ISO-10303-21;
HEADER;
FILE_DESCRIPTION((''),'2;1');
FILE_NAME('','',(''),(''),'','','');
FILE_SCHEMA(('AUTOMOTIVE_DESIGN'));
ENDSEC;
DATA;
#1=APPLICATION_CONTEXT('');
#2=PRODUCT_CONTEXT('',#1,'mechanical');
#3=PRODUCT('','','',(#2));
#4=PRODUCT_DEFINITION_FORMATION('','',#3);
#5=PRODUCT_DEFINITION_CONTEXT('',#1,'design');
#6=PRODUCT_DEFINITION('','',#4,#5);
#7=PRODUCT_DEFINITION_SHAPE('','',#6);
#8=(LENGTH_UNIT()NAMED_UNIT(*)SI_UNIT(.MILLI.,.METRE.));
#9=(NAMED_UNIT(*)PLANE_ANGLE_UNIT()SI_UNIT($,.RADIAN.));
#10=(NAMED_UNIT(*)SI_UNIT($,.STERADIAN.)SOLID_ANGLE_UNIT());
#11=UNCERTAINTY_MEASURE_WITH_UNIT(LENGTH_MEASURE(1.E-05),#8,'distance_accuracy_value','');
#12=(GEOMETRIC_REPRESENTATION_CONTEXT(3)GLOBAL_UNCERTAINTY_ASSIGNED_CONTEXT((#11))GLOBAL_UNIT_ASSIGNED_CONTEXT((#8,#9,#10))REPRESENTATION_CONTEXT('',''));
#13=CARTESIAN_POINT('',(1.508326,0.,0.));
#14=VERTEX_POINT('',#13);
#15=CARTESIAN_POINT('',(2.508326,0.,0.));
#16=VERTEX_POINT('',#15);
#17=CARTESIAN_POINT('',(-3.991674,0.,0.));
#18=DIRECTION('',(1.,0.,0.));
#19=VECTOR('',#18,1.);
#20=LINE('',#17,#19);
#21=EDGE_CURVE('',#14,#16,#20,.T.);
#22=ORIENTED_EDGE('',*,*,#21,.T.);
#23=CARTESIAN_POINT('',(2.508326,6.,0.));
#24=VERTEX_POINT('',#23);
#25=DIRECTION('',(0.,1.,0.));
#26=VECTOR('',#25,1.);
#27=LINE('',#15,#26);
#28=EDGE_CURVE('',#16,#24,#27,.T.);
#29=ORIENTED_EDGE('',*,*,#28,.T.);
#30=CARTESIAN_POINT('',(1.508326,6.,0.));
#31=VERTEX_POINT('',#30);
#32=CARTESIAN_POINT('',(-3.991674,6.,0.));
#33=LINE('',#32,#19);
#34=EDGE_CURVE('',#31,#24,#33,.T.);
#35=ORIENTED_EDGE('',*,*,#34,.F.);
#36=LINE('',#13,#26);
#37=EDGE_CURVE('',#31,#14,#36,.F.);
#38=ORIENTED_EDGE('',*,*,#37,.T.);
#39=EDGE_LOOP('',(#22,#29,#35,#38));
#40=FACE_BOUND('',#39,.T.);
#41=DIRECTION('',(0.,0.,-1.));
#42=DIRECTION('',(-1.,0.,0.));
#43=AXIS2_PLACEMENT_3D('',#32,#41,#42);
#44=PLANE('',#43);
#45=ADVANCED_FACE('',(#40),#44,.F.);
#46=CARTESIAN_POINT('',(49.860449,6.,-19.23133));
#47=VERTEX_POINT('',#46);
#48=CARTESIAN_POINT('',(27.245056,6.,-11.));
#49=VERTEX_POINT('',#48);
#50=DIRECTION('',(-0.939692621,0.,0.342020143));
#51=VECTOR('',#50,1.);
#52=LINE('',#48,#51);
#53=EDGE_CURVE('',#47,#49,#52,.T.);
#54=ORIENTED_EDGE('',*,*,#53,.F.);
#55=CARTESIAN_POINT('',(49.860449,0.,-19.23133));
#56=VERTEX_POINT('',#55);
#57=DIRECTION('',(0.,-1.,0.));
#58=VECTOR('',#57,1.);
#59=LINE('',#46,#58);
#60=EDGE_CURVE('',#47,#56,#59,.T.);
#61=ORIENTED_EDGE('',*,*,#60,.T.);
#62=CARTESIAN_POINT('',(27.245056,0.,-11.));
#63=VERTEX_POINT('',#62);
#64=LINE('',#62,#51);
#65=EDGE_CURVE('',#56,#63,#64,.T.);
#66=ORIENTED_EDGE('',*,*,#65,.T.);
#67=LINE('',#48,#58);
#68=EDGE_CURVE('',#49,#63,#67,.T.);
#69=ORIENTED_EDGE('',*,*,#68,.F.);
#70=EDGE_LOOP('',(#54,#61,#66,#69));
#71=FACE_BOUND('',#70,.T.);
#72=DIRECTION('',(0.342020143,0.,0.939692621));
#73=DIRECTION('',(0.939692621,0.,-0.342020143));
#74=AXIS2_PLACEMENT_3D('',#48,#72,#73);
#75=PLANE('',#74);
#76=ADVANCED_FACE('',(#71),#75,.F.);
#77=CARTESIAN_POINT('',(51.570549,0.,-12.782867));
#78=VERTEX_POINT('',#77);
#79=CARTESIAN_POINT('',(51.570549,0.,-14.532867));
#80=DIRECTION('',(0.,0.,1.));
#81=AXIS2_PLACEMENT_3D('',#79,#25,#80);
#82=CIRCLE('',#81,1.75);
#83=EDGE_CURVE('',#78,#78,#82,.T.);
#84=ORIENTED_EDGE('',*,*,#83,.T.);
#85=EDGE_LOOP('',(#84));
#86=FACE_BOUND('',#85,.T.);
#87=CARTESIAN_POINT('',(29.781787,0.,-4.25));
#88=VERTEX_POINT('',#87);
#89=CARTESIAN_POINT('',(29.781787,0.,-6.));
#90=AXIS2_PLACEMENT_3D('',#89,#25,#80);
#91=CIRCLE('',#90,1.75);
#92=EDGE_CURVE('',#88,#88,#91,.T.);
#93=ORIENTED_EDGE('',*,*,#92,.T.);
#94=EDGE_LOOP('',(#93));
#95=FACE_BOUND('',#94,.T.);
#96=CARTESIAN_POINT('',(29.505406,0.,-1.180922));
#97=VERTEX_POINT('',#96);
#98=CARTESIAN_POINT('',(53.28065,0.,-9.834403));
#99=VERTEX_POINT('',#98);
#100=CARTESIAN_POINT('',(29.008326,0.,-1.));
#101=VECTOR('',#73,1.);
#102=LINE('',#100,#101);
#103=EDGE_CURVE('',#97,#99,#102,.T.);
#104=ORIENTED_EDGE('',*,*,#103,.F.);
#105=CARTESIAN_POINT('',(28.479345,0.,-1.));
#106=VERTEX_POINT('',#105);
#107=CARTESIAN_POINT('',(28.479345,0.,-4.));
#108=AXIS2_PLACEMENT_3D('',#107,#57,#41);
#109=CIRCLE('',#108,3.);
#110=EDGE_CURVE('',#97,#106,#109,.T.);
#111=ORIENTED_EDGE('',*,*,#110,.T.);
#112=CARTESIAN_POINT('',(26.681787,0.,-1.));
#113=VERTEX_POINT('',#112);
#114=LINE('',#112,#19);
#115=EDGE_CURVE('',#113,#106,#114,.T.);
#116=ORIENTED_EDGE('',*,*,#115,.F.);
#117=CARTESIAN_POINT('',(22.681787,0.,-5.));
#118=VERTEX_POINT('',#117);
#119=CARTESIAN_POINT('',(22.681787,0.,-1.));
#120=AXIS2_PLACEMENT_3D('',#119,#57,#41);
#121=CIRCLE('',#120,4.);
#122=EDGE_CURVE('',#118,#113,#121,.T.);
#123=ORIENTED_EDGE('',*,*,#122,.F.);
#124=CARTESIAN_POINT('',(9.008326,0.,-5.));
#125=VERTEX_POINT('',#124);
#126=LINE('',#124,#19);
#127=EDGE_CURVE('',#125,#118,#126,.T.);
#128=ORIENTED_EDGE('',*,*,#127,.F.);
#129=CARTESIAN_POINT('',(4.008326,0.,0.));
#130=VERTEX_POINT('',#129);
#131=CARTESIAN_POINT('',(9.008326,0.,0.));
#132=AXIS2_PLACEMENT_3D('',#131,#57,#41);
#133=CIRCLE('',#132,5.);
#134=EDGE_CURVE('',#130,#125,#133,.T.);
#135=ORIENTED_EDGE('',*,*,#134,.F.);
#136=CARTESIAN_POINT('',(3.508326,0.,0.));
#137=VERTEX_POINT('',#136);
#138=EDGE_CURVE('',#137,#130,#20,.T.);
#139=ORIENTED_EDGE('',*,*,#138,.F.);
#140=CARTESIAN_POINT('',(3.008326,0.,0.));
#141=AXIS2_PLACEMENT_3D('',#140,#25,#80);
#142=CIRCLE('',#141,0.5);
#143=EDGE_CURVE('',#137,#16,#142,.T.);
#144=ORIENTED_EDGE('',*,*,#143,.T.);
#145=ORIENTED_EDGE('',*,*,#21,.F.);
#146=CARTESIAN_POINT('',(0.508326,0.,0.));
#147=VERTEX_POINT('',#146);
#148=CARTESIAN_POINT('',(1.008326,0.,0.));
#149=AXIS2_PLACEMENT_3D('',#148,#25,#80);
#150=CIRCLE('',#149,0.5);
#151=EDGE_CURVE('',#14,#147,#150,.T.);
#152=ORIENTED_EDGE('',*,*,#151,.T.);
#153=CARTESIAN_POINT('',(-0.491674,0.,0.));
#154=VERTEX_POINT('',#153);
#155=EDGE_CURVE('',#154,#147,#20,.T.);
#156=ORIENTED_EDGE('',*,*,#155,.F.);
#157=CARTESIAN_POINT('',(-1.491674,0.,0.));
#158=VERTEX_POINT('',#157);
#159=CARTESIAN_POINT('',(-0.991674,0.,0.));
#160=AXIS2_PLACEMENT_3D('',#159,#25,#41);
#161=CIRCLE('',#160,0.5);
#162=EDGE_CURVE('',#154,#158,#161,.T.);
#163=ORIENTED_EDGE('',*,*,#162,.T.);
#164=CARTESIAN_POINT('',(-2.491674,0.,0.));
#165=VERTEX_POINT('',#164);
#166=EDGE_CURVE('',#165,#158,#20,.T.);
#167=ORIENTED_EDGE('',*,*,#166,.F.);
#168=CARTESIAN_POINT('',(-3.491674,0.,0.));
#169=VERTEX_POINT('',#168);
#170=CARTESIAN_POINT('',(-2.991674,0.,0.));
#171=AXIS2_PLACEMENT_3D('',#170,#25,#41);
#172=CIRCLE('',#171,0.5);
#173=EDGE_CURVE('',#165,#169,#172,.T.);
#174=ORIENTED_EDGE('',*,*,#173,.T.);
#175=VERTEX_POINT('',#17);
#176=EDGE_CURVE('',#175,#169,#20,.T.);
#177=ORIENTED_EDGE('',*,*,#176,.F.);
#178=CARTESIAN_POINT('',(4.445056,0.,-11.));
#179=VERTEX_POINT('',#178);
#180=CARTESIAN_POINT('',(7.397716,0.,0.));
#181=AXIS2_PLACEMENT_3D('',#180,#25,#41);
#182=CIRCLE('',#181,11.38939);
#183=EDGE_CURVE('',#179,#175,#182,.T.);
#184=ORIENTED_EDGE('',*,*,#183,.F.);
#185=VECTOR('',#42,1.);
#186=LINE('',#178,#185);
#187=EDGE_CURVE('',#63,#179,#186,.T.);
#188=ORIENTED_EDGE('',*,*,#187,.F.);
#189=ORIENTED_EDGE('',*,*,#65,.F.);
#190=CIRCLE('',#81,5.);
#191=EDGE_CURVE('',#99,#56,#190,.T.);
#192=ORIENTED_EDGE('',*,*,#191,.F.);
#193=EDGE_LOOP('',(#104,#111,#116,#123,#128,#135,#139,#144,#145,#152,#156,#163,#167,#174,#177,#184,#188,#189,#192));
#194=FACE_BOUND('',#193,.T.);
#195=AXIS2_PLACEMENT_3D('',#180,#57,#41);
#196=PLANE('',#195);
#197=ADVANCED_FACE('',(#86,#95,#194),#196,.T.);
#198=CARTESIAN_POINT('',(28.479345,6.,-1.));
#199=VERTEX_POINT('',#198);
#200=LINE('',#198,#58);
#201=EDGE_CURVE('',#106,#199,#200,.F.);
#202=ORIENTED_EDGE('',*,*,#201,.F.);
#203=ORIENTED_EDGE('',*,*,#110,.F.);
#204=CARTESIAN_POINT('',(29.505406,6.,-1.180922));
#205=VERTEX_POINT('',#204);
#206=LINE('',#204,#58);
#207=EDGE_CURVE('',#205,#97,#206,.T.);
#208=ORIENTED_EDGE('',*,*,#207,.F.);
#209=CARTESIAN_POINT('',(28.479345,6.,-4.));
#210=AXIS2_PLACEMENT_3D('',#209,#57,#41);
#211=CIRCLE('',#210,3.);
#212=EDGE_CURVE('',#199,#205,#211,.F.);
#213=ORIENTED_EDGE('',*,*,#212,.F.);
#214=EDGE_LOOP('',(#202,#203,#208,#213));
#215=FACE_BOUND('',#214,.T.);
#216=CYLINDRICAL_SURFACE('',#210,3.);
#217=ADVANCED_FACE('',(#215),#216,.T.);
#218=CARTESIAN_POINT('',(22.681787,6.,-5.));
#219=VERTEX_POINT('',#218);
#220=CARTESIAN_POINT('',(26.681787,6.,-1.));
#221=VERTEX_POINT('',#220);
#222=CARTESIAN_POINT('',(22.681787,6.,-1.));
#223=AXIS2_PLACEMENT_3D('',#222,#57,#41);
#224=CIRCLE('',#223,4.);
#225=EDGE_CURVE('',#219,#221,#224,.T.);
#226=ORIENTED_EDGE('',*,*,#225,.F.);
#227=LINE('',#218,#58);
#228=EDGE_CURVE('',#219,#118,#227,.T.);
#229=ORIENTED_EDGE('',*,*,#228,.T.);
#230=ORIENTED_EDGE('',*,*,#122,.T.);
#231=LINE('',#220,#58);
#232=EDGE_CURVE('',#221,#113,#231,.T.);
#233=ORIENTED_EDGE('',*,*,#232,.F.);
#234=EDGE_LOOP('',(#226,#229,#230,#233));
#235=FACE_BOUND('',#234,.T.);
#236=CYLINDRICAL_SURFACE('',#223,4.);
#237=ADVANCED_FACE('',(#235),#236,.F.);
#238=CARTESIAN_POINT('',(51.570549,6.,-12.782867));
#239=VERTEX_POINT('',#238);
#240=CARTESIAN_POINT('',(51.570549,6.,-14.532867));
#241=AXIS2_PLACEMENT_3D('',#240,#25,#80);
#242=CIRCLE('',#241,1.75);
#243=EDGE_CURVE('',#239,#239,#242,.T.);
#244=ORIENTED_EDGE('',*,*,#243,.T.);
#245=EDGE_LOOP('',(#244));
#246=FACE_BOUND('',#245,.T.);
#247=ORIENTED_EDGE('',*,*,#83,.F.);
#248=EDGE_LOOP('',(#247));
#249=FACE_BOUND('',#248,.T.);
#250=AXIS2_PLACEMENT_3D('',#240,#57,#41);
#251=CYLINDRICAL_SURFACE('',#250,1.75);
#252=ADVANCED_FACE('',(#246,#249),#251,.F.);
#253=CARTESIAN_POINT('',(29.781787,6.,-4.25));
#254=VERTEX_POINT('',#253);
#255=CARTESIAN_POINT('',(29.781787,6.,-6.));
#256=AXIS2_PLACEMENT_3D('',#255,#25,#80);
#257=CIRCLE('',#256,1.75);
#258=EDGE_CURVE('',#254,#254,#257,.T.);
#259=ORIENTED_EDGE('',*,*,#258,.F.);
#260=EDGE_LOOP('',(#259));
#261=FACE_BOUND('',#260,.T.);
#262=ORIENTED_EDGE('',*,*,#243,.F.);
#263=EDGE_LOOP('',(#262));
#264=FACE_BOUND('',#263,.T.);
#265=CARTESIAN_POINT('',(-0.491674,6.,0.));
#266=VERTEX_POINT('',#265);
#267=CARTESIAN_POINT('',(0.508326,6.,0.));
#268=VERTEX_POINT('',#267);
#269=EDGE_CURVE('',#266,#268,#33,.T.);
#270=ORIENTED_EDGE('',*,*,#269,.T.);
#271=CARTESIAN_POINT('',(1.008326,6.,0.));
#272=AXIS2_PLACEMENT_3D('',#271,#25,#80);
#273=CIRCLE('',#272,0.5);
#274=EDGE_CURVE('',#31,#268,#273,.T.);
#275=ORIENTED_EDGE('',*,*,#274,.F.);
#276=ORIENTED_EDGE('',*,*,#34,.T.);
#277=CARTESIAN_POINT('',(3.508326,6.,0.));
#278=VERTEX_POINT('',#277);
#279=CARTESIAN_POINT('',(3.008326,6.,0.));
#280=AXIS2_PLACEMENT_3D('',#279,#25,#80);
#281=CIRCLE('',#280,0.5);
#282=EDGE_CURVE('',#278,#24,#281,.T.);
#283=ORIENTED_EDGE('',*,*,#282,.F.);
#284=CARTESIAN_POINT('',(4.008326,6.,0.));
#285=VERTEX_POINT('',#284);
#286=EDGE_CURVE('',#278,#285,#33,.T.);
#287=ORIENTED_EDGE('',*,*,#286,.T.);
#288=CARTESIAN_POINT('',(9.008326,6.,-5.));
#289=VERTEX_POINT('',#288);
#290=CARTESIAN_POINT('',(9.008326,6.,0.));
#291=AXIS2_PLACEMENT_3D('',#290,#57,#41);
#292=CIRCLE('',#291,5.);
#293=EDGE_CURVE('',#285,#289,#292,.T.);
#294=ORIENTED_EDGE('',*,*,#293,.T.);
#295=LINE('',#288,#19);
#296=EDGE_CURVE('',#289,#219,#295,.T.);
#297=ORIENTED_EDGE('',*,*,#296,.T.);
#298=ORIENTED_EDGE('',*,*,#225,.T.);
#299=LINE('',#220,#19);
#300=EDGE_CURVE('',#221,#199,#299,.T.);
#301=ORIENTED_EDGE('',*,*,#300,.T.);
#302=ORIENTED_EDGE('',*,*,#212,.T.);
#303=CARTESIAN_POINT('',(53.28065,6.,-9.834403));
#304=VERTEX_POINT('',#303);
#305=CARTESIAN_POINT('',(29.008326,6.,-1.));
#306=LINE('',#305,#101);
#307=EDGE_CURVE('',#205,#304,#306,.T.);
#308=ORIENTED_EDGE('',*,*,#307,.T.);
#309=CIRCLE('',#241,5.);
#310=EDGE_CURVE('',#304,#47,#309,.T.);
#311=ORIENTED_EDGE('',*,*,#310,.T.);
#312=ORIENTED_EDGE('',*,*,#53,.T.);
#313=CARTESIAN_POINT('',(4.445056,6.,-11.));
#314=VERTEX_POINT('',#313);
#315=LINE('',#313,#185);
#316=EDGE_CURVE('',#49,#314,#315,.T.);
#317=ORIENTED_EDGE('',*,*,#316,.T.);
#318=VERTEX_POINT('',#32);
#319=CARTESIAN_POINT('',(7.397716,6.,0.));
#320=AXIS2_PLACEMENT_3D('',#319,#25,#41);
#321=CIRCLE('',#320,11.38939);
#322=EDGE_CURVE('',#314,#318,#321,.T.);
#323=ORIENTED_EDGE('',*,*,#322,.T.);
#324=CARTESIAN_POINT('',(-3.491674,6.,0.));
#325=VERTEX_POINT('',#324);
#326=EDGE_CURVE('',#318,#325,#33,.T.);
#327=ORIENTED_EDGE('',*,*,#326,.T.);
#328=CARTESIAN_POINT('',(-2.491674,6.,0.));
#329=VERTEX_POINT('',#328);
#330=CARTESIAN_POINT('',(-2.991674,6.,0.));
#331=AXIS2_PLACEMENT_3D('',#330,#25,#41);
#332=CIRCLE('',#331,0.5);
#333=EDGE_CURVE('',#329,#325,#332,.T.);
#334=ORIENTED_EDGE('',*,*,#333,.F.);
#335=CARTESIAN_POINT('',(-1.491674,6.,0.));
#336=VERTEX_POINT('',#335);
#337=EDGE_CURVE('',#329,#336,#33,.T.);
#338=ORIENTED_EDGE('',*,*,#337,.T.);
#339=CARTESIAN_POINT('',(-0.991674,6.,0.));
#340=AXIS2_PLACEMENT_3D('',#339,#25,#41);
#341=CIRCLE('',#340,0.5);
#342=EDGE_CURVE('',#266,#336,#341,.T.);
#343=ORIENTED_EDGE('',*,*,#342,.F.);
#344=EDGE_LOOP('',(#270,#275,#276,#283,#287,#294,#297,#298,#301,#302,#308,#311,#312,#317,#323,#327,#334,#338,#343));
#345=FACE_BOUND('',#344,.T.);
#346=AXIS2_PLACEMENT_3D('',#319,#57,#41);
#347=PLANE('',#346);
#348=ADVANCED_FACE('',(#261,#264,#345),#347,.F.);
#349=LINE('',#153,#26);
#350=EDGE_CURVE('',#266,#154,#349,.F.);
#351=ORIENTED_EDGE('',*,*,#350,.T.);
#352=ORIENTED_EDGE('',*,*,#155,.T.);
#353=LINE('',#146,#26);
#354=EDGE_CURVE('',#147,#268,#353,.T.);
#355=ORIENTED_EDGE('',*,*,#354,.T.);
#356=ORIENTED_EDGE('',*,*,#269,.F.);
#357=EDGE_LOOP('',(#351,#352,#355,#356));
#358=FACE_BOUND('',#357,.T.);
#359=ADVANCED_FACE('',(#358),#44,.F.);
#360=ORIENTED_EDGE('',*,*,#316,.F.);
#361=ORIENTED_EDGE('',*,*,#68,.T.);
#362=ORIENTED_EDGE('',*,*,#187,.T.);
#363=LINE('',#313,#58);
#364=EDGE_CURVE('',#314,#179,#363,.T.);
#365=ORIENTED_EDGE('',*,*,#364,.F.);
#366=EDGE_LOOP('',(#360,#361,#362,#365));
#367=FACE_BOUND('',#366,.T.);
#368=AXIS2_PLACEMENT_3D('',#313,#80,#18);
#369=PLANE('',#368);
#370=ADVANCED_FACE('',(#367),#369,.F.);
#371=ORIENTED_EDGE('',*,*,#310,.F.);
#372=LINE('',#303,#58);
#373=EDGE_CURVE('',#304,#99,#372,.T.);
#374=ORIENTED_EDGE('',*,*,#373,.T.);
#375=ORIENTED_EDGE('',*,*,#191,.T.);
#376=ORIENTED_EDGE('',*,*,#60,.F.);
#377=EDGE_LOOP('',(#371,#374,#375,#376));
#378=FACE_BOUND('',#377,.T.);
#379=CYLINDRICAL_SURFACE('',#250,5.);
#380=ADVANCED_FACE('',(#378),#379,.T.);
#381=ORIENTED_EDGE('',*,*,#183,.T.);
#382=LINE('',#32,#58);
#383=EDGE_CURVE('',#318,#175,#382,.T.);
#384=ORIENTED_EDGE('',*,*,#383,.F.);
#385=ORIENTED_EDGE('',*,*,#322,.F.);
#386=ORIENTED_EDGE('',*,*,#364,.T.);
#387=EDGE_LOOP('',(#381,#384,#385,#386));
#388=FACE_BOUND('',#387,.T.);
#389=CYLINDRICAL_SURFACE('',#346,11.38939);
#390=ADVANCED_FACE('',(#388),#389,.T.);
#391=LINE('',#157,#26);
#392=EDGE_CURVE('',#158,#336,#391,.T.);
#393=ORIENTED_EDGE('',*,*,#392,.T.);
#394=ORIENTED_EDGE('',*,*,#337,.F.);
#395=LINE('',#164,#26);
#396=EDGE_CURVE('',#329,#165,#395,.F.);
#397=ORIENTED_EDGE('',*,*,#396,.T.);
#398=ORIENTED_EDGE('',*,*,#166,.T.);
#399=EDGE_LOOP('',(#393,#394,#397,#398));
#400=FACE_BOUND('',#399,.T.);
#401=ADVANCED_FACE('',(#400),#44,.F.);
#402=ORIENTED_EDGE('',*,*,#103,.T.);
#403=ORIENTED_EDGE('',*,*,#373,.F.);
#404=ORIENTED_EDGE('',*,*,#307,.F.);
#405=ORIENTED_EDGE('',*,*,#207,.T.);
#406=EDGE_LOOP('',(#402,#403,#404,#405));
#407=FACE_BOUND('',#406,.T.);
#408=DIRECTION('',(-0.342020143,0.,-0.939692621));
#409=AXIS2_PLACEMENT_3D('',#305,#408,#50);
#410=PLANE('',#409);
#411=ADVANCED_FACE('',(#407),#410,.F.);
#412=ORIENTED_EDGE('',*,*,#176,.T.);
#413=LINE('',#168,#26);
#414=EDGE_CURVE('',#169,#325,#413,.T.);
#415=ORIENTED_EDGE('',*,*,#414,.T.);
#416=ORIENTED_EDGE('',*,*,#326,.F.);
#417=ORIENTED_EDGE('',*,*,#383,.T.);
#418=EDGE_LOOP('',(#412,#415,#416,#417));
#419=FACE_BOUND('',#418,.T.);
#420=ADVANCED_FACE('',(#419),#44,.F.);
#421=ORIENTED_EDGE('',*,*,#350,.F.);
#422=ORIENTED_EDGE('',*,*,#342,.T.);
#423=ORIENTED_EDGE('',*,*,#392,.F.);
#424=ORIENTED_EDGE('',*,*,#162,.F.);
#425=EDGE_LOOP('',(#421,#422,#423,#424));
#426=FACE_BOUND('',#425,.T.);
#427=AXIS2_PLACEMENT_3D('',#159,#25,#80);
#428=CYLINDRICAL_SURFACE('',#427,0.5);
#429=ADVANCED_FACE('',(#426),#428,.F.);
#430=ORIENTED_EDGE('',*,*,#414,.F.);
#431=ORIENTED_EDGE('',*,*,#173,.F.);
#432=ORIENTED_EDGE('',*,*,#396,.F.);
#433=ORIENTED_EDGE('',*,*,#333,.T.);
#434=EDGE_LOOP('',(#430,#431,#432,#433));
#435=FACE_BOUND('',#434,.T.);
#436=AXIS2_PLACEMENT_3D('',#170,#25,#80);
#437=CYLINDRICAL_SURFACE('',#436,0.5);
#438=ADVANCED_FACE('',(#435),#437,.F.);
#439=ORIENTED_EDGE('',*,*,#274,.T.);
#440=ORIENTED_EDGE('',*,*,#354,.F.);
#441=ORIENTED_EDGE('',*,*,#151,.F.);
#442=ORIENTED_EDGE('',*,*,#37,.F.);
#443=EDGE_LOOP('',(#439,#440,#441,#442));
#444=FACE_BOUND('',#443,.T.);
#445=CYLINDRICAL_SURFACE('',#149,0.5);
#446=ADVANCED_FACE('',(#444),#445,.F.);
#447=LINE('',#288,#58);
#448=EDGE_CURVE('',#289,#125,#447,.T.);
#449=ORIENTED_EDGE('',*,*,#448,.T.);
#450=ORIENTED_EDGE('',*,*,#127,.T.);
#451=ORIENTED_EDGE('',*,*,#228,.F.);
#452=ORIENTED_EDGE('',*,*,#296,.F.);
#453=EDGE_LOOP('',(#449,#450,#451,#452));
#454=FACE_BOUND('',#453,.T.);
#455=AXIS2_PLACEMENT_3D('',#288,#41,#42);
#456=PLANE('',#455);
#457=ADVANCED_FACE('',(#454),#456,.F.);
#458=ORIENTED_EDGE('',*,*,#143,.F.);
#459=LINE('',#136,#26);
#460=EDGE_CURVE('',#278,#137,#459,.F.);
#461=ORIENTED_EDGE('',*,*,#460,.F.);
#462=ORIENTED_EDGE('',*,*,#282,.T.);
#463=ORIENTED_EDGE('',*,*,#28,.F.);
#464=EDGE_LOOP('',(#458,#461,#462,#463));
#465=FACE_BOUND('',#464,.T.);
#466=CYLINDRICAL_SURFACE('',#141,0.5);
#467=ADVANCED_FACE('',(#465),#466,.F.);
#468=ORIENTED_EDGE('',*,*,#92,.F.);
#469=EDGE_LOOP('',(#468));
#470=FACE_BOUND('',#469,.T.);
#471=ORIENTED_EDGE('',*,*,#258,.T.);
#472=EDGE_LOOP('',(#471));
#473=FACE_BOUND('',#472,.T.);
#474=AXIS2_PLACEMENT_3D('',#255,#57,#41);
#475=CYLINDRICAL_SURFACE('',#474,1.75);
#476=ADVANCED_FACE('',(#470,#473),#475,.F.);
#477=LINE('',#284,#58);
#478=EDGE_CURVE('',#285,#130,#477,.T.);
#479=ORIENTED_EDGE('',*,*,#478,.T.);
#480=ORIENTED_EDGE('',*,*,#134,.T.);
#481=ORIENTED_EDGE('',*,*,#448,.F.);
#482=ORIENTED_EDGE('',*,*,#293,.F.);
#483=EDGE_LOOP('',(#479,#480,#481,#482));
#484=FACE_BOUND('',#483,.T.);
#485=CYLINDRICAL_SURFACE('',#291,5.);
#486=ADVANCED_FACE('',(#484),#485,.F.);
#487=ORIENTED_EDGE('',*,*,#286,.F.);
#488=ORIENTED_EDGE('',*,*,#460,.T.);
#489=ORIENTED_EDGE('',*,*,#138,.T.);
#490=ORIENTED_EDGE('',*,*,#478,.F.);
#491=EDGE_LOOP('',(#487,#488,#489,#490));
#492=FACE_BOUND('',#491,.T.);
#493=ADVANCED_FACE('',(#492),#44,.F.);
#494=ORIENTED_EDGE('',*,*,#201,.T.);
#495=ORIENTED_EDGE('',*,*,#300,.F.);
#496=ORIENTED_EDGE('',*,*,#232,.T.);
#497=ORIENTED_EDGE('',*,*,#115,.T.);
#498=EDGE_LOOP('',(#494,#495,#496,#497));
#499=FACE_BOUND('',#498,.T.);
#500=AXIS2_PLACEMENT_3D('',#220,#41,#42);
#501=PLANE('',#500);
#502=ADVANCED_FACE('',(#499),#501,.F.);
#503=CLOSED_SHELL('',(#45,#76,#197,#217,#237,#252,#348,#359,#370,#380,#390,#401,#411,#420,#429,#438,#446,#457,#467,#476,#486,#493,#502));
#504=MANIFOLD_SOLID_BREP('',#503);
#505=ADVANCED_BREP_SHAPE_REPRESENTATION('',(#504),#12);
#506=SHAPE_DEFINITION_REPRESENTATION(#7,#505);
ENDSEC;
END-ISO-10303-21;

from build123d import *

# Parameters (mm, degrees)
SKETCH_1_R          = 1.75
EXTRUDE_1_DEPTH     = 6
FILLET_1_R          = 3
SKETCH_2_R          = 0.5
CUT_EXTRUDE_1_DEPTH = 7


with BuildPart() as part:
    # Эскиз1 → Бобышка-Вытянуть1 (new body)
    with BuildSketch(Plane(origin=(0, 0, 0), x_dir=(1, 0, 0), z_dir=(0, 1, 0))):
        with BuildLine():
            Line((-3.991673782, 0), (4.008326218, 0))
            ThreePointArc((4.008326218, 0), (5.472792312, 3.535533906), (9.008326218, 5))
            Line((9.008326218, 5), (22.681786604, 5))
            ThreePointArc((22.681786604, 5), (25.510213728, 3.828427125), (26.681786604, 1))
            Line((26.681786604, 1), (29.008326218, 1))
            Line((29.008326218, 1), (53.280650212, 9.83440345))
            ThreePointArc((53.280650212, 9.83440345), (56.269012599, 16.242967271), (49.860448779, 19.231329658))
            Line((49.860448779, 19.231329658), (27.245056411, 11))
            Line((27.245056411, 11), (4.445056411, 11))
            ThreePointArc((4.445056411, 11), (-1.63962848, 6.931421506), (-3.991673782, 0))
        make_face()
        with Locations((51.570549496, 14.532866554)):
            Circle(SKETCH_1_R, mode=Mode.SUBTRACT)
        with Locations((29.781786604, 6)):
            Circle(SKETCH_1_R, mode=Mode.SUBTRACT)
    extrude(amount=EXTRUDE_1_DEPTH)

    # Скругление1
    fillet_1_edges = [part.edges().sort_by_distance(p)[0] for p in [
        (29.008326218, 3, -1),
    ]]
    fillet(fillet_1_edges, radius=FILLET_1_R)

    # Эскиз2 → Вырез-Вытянуть1 (cut, through all)
    with BuildSketch(Plane(origin=(0, 6, 0), x_dir=(1, 0, 0), z_dir=(0, 1, 0))):
        with Locations((1.008326218, 0)):
            Circle(SKETCH_2_R)
        with Locations((3.008326218, 0)):
            Circle(SKETCH_2_R)
        with Locations((-0.991673782, 0)):
            Circle(SKETCH_2_R)
        with Locations((-2.991673782, 0)):
            Circle(SKETCH_2_R)
    extrude(amount=-CUT_EXTRUDE_1_DEPTH, mode=Mode.SUBTRACT)


solid = part.part
